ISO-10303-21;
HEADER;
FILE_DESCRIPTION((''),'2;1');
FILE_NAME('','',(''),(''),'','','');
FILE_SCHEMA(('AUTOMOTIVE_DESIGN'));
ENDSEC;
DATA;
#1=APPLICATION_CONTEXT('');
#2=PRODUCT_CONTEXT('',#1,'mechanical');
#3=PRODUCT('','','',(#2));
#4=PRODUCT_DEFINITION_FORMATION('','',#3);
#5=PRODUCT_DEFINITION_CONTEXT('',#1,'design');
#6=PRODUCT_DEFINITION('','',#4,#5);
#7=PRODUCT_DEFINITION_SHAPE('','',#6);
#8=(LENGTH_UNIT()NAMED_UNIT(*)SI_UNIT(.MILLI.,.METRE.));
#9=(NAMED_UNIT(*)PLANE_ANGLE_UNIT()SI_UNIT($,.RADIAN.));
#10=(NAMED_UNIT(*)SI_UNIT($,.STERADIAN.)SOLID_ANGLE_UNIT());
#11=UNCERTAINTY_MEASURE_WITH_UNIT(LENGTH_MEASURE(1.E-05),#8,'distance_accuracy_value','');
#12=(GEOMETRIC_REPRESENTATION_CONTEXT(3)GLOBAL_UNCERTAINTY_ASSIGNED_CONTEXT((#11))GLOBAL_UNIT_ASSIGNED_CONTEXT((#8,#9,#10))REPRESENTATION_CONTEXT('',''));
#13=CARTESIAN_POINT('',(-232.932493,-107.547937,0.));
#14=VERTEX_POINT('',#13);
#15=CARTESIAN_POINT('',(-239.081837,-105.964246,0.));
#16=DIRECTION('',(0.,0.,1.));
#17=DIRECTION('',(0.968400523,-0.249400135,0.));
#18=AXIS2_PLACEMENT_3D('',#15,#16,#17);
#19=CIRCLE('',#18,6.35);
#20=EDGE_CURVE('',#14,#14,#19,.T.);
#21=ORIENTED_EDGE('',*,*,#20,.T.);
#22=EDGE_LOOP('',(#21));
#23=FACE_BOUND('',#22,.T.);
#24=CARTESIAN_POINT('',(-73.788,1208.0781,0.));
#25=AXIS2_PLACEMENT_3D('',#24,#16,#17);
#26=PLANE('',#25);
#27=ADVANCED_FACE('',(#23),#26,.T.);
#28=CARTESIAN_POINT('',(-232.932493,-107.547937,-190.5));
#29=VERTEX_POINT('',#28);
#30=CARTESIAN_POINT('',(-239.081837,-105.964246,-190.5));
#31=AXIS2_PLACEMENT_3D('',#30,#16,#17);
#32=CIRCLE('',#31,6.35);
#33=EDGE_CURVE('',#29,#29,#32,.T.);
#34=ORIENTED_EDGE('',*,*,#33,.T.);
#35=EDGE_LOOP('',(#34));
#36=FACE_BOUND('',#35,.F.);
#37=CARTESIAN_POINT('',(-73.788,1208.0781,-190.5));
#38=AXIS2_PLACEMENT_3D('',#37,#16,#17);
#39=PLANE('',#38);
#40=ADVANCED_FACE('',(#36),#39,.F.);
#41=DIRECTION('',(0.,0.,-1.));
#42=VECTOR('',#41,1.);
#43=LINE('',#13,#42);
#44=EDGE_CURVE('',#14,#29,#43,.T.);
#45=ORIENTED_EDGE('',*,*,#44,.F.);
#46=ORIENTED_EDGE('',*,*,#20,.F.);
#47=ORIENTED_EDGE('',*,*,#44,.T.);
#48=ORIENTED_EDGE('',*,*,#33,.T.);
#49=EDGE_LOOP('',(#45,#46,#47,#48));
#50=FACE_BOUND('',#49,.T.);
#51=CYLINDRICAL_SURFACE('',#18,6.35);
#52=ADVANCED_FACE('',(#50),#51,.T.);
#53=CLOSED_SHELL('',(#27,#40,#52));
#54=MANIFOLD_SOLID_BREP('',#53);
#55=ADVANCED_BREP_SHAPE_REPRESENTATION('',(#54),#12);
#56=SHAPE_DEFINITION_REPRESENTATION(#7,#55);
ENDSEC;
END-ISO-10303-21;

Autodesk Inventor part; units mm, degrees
ref_plane "YZ Plane" through (0, 0, 0) normal (1, 0, 0) x (0, 1, 0)
ref_plane "XZ Plane" through (0, 0, 0) normal (0, 1, 0) x (-1, 0, 0)
ref_plane "Work Plane1" through (-73.788, 1208.0781, 0) normal (0, 0, 1) x (0.9684, -0.2494, 0)
sketch "Sketch1" plane through (-73.788, 1208.0781, 0) normal (0, 0, 1) x (0.9684, -0.2494, 0)
  circle A0 centre (167.6517, -1313.7436) radius 6.35
  circle A1 centre (167.6517, -1313.7436) radius 6.35
  point P0 (372.7491, -1151.5015)
ref_plane "Work Plane2" through (-239.4312, 84.6776, -190.5) normal (0, 0, 1) x (1, 0, 0)
extrude "Extrusion1" add sketch "Sketch1" against normal up to surface (190.5 mm away)
